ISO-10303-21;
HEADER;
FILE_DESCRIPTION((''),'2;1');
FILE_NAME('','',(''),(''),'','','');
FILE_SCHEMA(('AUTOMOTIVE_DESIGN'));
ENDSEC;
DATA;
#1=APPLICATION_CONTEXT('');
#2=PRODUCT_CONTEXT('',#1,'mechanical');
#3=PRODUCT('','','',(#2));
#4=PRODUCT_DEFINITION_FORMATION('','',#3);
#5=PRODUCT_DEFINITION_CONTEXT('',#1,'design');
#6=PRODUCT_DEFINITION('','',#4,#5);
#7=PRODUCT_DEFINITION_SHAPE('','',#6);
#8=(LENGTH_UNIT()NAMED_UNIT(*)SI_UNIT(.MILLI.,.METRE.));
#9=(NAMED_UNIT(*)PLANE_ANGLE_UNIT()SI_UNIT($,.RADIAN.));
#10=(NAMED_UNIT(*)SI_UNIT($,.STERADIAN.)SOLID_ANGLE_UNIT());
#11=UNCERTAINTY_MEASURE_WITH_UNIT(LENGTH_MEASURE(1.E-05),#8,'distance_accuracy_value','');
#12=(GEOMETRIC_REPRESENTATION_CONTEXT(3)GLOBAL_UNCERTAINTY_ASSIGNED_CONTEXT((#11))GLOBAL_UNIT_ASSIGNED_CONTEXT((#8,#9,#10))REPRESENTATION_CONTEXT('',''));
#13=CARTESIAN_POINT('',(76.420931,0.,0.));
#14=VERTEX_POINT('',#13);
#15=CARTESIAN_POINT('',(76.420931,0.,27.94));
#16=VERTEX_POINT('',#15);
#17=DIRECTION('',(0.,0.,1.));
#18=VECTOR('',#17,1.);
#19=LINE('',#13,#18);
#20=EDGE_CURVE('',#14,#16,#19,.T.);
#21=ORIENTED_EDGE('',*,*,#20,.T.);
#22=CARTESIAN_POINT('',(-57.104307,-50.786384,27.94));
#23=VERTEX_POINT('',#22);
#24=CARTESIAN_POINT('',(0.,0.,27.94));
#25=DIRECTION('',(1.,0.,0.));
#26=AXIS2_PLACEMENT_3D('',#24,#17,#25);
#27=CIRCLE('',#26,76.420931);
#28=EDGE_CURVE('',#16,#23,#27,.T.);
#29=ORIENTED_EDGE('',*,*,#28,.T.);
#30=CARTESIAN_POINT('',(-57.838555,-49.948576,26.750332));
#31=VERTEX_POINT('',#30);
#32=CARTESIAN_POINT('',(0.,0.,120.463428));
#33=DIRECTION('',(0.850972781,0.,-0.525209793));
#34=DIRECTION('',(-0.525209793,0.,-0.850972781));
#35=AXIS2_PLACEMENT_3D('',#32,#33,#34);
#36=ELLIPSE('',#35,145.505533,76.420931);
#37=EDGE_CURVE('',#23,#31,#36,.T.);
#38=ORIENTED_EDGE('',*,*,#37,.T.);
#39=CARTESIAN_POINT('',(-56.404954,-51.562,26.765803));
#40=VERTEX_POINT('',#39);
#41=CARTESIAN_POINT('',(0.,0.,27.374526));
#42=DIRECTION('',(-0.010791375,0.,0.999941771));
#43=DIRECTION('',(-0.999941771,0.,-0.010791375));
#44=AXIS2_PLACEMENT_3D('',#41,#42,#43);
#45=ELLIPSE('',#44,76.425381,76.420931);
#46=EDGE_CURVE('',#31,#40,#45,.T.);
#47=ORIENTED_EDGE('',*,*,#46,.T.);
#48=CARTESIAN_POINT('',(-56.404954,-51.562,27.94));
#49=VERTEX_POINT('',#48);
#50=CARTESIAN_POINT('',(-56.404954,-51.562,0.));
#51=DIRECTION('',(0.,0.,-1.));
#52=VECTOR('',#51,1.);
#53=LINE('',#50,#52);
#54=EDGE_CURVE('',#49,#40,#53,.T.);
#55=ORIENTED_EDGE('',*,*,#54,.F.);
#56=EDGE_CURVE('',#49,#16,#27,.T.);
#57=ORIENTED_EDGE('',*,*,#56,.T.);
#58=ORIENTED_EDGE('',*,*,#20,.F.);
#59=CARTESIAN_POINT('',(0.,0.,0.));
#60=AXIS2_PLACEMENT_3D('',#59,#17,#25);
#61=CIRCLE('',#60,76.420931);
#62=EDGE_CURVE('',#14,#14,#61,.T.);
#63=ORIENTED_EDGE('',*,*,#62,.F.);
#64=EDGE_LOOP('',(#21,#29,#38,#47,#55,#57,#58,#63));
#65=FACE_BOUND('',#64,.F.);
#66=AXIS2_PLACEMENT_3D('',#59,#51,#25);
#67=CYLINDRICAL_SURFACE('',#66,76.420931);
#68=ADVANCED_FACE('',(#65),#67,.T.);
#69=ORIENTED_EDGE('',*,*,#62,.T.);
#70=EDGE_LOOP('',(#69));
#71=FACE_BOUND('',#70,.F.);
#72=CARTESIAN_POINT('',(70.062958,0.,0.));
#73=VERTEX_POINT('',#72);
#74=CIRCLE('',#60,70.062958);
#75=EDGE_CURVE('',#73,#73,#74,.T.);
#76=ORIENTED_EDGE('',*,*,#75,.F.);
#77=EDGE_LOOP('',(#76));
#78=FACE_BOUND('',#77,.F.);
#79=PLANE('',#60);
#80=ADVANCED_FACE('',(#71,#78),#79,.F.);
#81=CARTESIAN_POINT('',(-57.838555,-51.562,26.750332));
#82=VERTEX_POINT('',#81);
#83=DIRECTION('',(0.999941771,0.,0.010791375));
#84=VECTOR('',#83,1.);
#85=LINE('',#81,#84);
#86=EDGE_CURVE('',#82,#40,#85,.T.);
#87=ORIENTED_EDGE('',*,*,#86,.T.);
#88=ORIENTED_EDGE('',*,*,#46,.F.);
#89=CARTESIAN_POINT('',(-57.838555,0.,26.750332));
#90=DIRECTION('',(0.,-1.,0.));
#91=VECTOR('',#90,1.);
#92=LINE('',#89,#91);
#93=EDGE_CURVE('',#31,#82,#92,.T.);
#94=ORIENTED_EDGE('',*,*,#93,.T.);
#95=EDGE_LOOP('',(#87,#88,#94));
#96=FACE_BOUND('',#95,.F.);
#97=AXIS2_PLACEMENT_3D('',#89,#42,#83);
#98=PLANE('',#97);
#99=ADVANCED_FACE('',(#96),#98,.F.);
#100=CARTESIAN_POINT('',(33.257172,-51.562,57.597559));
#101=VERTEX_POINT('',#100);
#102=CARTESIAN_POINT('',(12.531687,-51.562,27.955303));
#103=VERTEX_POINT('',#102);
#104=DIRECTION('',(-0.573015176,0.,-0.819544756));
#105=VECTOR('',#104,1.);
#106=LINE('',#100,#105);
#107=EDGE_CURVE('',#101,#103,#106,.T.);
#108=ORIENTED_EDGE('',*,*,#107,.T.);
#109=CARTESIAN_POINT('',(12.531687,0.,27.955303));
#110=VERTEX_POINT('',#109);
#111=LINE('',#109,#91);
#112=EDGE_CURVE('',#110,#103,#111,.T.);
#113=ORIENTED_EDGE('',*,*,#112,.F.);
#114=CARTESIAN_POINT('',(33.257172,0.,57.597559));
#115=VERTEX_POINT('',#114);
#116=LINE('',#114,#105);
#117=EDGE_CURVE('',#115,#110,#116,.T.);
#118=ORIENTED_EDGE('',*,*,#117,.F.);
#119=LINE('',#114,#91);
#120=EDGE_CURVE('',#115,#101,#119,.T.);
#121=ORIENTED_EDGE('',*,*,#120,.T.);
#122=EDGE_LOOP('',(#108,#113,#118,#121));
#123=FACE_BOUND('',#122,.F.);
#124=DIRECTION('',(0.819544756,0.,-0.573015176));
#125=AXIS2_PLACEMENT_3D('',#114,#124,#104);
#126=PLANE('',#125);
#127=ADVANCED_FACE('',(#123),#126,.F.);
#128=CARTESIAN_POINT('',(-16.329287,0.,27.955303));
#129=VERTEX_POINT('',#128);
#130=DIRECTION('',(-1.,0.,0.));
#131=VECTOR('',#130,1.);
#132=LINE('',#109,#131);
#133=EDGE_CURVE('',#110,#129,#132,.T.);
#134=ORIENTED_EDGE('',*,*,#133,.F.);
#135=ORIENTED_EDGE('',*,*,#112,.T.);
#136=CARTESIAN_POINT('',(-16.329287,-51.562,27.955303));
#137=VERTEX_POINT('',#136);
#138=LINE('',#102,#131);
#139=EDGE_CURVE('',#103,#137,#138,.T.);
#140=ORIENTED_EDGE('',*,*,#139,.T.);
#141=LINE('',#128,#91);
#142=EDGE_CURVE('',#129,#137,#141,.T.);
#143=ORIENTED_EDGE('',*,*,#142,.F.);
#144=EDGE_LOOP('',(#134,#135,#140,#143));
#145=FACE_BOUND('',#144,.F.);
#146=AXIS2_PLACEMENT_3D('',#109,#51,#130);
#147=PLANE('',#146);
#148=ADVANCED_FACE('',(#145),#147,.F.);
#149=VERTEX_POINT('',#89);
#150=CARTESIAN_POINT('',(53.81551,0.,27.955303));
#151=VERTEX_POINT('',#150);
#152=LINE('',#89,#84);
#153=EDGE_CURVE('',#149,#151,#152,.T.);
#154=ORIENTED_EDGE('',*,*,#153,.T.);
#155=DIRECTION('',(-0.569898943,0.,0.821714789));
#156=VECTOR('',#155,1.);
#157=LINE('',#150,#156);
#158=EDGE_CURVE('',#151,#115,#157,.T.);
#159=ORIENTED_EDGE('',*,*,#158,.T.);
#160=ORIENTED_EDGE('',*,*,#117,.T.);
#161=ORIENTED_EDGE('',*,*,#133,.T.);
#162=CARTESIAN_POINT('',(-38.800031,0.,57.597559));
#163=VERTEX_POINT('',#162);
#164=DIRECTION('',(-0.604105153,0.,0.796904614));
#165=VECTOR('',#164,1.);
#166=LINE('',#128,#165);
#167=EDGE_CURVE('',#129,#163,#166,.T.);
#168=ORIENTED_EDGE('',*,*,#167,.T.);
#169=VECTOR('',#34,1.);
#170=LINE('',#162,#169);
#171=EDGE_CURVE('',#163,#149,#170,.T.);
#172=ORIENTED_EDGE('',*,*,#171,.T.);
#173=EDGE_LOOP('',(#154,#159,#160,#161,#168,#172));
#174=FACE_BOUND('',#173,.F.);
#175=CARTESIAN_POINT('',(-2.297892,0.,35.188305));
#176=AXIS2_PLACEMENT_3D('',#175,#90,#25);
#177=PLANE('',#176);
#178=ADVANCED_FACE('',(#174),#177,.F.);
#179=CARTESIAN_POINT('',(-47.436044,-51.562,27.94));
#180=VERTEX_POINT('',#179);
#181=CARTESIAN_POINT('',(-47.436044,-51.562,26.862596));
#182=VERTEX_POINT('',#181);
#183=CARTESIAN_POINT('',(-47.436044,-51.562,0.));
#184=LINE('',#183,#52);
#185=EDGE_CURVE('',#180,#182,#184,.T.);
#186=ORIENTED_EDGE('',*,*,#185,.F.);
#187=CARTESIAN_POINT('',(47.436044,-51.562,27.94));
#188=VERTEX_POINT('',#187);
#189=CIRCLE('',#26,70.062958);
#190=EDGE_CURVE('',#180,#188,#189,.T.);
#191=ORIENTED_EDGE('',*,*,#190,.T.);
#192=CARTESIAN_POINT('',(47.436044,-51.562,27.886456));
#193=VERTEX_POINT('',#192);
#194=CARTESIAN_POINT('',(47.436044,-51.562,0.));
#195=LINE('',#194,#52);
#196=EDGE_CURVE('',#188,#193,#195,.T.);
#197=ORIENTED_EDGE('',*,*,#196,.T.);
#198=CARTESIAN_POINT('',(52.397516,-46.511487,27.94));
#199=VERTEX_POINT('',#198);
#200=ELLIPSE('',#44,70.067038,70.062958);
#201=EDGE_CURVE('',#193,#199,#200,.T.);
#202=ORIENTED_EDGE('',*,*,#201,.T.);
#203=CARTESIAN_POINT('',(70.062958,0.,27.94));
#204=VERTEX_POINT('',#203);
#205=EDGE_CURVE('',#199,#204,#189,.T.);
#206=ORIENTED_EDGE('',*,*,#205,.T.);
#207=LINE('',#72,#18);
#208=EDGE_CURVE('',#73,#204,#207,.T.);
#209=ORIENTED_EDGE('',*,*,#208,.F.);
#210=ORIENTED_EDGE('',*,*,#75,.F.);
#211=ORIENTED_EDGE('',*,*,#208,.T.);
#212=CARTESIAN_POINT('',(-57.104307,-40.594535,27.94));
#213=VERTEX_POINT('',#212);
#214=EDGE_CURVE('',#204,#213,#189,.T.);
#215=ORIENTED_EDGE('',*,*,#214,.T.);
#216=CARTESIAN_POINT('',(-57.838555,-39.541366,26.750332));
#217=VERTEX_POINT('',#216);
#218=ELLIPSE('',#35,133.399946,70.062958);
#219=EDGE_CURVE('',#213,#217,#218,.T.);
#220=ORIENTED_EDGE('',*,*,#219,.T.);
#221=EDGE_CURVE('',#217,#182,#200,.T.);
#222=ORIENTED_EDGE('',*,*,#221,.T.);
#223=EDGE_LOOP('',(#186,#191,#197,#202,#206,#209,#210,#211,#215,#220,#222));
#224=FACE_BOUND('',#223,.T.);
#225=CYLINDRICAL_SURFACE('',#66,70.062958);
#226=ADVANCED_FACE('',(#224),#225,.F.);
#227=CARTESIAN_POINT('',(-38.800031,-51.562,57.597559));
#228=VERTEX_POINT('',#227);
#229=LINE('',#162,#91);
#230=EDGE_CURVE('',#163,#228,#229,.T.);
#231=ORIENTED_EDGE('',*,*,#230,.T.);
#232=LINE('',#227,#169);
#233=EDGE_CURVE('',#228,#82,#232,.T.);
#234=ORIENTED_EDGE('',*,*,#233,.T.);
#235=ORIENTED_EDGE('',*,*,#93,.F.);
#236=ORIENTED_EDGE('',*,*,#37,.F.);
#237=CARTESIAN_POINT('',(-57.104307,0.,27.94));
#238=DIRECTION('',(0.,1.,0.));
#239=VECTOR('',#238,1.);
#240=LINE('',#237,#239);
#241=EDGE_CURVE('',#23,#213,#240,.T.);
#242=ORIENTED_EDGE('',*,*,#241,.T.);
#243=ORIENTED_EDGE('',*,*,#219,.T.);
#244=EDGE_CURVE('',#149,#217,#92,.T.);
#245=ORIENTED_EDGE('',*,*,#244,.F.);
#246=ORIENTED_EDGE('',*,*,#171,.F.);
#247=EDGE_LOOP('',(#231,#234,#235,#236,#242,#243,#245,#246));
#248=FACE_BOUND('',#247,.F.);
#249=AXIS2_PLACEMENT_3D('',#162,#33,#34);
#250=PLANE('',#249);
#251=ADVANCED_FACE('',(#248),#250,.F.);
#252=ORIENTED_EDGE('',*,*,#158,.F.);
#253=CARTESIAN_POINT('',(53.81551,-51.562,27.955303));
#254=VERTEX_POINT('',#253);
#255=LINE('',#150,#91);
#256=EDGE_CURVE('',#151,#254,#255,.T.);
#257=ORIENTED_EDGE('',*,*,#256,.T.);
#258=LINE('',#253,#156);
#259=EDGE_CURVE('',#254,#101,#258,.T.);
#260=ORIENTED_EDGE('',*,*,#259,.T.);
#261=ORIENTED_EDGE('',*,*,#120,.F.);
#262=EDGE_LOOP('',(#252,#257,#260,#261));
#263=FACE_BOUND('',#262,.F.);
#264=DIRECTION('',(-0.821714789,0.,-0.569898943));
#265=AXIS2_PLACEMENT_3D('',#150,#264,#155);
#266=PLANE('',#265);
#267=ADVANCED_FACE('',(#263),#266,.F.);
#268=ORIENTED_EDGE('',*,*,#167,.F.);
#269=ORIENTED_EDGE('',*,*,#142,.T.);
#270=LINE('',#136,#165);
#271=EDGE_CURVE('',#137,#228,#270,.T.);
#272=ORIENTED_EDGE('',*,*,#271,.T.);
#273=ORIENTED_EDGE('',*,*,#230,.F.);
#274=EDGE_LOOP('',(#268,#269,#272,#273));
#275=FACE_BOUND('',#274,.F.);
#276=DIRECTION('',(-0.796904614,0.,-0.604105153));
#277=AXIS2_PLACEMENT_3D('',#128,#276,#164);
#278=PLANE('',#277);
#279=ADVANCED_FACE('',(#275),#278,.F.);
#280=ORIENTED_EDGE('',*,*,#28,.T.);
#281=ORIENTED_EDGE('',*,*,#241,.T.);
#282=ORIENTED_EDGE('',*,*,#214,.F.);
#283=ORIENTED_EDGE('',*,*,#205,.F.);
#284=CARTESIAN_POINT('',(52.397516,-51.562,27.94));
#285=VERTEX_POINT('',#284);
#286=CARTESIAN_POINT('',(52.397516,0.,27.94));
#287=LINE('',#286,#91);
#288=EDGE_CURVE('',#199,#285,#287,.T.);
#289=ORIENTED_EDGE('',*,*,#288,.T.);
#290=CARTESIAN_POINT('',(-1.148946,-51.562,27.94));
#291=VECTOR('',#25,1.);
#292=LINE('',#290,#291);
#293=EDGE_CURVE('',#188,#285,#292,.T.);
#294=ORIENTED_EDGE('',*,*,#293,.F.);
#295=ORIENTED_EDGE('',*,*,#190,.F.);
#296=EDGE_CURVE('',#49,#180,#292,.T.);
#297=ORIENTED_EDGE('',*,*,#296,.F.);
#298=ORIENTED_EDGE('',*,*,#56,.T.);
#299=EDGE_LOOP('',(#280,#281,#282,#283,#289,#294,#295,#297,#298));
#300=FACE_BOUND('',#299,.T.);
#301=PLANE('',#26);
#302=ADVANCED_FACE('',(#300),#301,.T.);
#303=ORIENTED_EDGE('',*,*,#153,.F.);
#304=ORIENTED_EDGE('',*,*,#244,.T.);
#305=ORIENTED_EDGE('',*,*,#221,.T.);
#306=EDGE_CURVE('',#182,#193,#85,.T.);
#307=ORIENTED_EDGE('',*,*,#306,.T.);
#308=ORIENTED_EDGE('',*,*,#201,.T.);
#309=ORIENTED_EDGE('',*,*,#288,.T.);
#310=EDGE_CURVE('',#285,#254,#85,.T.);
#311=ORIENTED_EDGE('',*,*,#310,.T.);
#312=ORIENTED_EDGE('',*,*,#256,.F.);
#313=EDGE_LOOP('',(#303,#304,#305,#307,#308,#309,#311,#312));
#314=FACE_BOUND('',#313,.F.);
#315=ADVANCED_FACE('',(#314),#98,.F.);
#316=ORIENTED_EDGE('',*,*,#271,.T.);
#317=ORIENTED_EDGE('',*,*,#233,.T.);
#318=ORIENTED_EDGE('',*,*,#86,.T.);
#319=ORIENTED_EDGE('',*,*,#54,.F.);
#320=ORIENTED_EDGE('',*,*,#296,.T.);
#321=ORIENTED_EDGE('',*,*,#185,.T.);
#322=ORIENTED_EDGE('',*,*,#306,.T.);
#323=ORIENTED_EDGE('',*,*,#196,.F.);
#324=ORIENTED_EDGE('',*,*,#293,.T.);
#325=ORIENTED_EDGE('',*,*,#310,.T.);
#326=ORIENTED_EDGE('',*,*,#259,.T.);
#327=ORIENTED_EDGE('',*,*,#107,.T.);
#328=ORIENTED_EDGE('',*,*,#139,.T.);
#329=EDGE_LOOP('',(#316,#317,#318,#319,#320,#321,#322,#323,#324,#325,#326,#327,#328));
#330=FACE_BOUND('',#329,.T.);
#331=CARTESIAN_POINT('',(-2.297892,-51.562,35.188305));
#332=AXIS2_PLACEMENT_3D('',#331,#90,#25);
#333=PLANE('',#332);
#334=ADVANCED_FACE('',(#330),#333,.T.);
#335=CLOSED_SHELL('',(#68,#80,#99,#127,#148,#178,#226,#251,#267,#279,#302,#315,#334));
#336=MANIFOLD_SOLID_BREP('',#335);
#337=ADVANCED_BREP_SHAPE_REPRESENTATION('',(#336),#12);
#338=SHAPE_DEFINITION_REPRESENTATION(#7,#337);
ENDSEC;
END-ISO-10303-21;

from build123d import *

# Parameters (mm, degrees)
F0_R     = 76.420931
F0_R_2   = 70.062958
F1_DEPTH = 27.94
F3_DEPTH = 51.562


with BuildPart() as f1:
    # F0 (on Top) → F1 (new body)
    with BuildSketch(Plane.XY):
        Circle(F0_R)
        Circle(F0_R_2, mode=Mode.SUBTRACT)
    extrude(amount=F1_DEPTH)

    # F2 (on Front) → F3 (join)
    with BuildSketch(Plane.XZ):
        Polygon((-38.800031, 57.597559), (-57.838555, 26.750332), (53.81551, 27.955303), (33.257172, 57.597559), (12.531687, 27.955303), (-16.329287, 27.955303), align=None)
    extrude(amount=F3_DEPTH)


solid = f1.part
